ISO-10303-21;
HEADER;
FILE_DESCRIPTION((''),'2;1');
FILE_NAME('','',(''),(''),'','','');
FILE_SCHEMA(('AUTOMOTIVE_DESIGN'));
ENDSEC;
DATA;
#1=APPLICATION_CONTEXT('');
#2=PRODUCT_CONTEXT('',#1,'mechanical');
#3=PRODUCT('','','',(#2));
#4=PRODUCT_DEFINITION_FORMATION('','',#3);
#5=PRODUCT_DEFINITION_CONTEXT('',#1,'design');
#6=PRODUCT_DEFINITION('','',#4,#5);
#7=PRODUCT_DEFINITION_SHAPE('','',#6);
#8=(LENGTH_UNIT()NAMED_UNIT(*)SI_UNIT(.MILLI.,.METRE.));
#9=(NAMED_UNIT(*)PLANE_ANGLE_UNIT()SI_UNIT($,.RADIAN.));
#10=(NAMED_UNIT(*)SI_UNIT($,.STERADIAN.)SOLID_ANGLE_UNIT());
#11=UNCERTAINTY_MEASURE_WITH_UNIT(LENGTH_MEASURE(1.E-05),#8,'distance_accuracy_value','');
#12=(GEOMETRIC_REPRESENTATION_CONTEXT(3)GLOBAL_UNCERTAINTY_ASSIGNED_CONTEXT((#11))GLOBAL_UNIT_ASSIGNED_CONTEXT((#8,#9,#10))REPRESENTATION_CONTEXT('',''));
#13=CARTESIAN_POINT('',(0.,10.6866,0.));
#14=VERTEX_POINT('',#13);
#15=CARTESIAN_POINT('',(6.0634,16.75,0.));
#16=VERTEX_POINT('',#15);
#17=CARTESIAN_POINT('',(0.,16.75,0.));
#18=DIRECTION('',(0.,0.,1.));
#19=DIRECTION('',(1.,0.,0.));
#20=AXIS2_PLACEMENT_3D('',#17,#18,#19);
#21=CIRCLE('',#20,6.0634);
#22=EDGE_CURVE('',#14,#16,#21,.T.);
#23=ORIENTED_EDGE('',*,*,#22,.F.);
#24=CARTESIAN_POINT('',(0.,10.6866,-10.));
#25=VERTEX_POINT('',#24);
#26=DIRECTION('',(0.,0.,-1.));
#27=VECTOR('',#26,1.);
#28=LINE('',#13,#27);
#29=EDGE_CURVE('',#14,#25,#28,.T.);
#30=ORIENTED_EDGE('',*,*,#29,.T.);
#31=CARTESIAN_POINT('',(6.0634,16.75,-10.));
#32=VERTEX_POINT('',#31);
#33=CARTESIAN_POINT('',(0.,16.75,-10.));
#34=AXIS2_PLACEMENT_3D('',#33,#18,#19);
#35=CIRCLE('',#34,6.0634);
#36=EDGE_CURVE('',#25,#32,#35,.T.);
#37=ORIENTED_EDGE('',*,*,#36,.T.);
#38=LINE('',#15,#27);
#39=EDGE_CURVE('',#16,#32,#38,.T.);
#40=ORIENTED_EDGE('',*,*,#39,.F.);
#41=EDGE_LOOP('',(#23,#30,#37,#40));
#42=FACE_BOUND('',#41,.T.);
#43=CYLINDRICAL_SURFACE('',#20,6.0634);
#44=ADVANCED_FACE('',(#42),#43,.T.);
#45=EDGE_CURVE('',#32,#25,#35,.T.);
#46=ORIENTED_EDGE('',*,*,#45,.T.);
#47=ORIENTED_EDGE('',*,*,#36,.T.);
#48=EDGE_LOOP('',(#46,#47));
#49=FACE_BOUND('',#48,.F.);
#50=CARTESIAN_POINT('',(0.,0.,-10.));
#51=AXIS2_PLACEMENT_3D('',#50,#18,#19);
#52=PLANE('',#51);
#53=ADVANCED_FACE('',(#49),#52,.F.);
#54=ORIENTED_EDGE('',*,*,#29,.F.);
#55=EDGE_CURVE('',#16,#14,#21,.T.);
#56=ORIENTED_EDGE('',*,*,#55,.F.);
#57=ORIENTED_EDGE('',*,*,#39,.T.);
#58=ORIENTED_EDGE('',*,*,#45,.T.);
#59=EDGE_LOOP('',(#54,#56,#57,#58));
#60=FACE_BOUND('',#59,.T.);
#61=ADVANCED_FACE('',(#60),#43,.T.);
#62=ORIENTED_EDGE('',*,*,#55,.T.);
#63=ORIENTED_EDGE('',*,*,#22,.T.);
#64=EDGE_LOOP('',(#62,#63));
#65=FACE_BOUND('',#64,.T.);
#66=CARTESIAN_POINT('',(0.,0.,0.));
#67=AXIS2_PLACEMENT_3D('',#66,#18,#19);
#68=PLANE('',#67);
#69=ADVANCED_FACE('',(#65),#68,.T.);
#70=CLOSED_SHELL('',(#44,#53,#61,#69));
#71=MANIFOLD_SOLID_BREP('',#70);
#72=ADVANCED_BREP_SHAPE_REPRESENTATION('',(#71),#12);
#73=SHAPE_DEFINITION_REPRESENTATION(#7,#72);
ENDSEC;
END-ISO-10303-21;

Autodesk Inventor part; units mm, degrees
ref_plane "YZ Plane" through (0, 0, 0) normal (1, 0, 0) x (0, 1, 0)
ref_plane "XZ Plane" through (0, 0, 0) normal (0, 1, 0) x (-1, 0, 0)
ref_plane "XY Plane" through (0, 0, 0) normal (0, 0, 1) x (1, 0, 0)
sketch "Sketch1" plane through (0, 0, 0) normal (0, 0, 1) x (1, 0, 0)
  circle A0 centre (0, 0) radius 10.6866 projected
  circle A1 centre (0, 16.75) radius 6.0634
  point P0 (0, 0)
extrude "Extrusion1" add sketch "Sketch1" against normal blind 10 contours A1
